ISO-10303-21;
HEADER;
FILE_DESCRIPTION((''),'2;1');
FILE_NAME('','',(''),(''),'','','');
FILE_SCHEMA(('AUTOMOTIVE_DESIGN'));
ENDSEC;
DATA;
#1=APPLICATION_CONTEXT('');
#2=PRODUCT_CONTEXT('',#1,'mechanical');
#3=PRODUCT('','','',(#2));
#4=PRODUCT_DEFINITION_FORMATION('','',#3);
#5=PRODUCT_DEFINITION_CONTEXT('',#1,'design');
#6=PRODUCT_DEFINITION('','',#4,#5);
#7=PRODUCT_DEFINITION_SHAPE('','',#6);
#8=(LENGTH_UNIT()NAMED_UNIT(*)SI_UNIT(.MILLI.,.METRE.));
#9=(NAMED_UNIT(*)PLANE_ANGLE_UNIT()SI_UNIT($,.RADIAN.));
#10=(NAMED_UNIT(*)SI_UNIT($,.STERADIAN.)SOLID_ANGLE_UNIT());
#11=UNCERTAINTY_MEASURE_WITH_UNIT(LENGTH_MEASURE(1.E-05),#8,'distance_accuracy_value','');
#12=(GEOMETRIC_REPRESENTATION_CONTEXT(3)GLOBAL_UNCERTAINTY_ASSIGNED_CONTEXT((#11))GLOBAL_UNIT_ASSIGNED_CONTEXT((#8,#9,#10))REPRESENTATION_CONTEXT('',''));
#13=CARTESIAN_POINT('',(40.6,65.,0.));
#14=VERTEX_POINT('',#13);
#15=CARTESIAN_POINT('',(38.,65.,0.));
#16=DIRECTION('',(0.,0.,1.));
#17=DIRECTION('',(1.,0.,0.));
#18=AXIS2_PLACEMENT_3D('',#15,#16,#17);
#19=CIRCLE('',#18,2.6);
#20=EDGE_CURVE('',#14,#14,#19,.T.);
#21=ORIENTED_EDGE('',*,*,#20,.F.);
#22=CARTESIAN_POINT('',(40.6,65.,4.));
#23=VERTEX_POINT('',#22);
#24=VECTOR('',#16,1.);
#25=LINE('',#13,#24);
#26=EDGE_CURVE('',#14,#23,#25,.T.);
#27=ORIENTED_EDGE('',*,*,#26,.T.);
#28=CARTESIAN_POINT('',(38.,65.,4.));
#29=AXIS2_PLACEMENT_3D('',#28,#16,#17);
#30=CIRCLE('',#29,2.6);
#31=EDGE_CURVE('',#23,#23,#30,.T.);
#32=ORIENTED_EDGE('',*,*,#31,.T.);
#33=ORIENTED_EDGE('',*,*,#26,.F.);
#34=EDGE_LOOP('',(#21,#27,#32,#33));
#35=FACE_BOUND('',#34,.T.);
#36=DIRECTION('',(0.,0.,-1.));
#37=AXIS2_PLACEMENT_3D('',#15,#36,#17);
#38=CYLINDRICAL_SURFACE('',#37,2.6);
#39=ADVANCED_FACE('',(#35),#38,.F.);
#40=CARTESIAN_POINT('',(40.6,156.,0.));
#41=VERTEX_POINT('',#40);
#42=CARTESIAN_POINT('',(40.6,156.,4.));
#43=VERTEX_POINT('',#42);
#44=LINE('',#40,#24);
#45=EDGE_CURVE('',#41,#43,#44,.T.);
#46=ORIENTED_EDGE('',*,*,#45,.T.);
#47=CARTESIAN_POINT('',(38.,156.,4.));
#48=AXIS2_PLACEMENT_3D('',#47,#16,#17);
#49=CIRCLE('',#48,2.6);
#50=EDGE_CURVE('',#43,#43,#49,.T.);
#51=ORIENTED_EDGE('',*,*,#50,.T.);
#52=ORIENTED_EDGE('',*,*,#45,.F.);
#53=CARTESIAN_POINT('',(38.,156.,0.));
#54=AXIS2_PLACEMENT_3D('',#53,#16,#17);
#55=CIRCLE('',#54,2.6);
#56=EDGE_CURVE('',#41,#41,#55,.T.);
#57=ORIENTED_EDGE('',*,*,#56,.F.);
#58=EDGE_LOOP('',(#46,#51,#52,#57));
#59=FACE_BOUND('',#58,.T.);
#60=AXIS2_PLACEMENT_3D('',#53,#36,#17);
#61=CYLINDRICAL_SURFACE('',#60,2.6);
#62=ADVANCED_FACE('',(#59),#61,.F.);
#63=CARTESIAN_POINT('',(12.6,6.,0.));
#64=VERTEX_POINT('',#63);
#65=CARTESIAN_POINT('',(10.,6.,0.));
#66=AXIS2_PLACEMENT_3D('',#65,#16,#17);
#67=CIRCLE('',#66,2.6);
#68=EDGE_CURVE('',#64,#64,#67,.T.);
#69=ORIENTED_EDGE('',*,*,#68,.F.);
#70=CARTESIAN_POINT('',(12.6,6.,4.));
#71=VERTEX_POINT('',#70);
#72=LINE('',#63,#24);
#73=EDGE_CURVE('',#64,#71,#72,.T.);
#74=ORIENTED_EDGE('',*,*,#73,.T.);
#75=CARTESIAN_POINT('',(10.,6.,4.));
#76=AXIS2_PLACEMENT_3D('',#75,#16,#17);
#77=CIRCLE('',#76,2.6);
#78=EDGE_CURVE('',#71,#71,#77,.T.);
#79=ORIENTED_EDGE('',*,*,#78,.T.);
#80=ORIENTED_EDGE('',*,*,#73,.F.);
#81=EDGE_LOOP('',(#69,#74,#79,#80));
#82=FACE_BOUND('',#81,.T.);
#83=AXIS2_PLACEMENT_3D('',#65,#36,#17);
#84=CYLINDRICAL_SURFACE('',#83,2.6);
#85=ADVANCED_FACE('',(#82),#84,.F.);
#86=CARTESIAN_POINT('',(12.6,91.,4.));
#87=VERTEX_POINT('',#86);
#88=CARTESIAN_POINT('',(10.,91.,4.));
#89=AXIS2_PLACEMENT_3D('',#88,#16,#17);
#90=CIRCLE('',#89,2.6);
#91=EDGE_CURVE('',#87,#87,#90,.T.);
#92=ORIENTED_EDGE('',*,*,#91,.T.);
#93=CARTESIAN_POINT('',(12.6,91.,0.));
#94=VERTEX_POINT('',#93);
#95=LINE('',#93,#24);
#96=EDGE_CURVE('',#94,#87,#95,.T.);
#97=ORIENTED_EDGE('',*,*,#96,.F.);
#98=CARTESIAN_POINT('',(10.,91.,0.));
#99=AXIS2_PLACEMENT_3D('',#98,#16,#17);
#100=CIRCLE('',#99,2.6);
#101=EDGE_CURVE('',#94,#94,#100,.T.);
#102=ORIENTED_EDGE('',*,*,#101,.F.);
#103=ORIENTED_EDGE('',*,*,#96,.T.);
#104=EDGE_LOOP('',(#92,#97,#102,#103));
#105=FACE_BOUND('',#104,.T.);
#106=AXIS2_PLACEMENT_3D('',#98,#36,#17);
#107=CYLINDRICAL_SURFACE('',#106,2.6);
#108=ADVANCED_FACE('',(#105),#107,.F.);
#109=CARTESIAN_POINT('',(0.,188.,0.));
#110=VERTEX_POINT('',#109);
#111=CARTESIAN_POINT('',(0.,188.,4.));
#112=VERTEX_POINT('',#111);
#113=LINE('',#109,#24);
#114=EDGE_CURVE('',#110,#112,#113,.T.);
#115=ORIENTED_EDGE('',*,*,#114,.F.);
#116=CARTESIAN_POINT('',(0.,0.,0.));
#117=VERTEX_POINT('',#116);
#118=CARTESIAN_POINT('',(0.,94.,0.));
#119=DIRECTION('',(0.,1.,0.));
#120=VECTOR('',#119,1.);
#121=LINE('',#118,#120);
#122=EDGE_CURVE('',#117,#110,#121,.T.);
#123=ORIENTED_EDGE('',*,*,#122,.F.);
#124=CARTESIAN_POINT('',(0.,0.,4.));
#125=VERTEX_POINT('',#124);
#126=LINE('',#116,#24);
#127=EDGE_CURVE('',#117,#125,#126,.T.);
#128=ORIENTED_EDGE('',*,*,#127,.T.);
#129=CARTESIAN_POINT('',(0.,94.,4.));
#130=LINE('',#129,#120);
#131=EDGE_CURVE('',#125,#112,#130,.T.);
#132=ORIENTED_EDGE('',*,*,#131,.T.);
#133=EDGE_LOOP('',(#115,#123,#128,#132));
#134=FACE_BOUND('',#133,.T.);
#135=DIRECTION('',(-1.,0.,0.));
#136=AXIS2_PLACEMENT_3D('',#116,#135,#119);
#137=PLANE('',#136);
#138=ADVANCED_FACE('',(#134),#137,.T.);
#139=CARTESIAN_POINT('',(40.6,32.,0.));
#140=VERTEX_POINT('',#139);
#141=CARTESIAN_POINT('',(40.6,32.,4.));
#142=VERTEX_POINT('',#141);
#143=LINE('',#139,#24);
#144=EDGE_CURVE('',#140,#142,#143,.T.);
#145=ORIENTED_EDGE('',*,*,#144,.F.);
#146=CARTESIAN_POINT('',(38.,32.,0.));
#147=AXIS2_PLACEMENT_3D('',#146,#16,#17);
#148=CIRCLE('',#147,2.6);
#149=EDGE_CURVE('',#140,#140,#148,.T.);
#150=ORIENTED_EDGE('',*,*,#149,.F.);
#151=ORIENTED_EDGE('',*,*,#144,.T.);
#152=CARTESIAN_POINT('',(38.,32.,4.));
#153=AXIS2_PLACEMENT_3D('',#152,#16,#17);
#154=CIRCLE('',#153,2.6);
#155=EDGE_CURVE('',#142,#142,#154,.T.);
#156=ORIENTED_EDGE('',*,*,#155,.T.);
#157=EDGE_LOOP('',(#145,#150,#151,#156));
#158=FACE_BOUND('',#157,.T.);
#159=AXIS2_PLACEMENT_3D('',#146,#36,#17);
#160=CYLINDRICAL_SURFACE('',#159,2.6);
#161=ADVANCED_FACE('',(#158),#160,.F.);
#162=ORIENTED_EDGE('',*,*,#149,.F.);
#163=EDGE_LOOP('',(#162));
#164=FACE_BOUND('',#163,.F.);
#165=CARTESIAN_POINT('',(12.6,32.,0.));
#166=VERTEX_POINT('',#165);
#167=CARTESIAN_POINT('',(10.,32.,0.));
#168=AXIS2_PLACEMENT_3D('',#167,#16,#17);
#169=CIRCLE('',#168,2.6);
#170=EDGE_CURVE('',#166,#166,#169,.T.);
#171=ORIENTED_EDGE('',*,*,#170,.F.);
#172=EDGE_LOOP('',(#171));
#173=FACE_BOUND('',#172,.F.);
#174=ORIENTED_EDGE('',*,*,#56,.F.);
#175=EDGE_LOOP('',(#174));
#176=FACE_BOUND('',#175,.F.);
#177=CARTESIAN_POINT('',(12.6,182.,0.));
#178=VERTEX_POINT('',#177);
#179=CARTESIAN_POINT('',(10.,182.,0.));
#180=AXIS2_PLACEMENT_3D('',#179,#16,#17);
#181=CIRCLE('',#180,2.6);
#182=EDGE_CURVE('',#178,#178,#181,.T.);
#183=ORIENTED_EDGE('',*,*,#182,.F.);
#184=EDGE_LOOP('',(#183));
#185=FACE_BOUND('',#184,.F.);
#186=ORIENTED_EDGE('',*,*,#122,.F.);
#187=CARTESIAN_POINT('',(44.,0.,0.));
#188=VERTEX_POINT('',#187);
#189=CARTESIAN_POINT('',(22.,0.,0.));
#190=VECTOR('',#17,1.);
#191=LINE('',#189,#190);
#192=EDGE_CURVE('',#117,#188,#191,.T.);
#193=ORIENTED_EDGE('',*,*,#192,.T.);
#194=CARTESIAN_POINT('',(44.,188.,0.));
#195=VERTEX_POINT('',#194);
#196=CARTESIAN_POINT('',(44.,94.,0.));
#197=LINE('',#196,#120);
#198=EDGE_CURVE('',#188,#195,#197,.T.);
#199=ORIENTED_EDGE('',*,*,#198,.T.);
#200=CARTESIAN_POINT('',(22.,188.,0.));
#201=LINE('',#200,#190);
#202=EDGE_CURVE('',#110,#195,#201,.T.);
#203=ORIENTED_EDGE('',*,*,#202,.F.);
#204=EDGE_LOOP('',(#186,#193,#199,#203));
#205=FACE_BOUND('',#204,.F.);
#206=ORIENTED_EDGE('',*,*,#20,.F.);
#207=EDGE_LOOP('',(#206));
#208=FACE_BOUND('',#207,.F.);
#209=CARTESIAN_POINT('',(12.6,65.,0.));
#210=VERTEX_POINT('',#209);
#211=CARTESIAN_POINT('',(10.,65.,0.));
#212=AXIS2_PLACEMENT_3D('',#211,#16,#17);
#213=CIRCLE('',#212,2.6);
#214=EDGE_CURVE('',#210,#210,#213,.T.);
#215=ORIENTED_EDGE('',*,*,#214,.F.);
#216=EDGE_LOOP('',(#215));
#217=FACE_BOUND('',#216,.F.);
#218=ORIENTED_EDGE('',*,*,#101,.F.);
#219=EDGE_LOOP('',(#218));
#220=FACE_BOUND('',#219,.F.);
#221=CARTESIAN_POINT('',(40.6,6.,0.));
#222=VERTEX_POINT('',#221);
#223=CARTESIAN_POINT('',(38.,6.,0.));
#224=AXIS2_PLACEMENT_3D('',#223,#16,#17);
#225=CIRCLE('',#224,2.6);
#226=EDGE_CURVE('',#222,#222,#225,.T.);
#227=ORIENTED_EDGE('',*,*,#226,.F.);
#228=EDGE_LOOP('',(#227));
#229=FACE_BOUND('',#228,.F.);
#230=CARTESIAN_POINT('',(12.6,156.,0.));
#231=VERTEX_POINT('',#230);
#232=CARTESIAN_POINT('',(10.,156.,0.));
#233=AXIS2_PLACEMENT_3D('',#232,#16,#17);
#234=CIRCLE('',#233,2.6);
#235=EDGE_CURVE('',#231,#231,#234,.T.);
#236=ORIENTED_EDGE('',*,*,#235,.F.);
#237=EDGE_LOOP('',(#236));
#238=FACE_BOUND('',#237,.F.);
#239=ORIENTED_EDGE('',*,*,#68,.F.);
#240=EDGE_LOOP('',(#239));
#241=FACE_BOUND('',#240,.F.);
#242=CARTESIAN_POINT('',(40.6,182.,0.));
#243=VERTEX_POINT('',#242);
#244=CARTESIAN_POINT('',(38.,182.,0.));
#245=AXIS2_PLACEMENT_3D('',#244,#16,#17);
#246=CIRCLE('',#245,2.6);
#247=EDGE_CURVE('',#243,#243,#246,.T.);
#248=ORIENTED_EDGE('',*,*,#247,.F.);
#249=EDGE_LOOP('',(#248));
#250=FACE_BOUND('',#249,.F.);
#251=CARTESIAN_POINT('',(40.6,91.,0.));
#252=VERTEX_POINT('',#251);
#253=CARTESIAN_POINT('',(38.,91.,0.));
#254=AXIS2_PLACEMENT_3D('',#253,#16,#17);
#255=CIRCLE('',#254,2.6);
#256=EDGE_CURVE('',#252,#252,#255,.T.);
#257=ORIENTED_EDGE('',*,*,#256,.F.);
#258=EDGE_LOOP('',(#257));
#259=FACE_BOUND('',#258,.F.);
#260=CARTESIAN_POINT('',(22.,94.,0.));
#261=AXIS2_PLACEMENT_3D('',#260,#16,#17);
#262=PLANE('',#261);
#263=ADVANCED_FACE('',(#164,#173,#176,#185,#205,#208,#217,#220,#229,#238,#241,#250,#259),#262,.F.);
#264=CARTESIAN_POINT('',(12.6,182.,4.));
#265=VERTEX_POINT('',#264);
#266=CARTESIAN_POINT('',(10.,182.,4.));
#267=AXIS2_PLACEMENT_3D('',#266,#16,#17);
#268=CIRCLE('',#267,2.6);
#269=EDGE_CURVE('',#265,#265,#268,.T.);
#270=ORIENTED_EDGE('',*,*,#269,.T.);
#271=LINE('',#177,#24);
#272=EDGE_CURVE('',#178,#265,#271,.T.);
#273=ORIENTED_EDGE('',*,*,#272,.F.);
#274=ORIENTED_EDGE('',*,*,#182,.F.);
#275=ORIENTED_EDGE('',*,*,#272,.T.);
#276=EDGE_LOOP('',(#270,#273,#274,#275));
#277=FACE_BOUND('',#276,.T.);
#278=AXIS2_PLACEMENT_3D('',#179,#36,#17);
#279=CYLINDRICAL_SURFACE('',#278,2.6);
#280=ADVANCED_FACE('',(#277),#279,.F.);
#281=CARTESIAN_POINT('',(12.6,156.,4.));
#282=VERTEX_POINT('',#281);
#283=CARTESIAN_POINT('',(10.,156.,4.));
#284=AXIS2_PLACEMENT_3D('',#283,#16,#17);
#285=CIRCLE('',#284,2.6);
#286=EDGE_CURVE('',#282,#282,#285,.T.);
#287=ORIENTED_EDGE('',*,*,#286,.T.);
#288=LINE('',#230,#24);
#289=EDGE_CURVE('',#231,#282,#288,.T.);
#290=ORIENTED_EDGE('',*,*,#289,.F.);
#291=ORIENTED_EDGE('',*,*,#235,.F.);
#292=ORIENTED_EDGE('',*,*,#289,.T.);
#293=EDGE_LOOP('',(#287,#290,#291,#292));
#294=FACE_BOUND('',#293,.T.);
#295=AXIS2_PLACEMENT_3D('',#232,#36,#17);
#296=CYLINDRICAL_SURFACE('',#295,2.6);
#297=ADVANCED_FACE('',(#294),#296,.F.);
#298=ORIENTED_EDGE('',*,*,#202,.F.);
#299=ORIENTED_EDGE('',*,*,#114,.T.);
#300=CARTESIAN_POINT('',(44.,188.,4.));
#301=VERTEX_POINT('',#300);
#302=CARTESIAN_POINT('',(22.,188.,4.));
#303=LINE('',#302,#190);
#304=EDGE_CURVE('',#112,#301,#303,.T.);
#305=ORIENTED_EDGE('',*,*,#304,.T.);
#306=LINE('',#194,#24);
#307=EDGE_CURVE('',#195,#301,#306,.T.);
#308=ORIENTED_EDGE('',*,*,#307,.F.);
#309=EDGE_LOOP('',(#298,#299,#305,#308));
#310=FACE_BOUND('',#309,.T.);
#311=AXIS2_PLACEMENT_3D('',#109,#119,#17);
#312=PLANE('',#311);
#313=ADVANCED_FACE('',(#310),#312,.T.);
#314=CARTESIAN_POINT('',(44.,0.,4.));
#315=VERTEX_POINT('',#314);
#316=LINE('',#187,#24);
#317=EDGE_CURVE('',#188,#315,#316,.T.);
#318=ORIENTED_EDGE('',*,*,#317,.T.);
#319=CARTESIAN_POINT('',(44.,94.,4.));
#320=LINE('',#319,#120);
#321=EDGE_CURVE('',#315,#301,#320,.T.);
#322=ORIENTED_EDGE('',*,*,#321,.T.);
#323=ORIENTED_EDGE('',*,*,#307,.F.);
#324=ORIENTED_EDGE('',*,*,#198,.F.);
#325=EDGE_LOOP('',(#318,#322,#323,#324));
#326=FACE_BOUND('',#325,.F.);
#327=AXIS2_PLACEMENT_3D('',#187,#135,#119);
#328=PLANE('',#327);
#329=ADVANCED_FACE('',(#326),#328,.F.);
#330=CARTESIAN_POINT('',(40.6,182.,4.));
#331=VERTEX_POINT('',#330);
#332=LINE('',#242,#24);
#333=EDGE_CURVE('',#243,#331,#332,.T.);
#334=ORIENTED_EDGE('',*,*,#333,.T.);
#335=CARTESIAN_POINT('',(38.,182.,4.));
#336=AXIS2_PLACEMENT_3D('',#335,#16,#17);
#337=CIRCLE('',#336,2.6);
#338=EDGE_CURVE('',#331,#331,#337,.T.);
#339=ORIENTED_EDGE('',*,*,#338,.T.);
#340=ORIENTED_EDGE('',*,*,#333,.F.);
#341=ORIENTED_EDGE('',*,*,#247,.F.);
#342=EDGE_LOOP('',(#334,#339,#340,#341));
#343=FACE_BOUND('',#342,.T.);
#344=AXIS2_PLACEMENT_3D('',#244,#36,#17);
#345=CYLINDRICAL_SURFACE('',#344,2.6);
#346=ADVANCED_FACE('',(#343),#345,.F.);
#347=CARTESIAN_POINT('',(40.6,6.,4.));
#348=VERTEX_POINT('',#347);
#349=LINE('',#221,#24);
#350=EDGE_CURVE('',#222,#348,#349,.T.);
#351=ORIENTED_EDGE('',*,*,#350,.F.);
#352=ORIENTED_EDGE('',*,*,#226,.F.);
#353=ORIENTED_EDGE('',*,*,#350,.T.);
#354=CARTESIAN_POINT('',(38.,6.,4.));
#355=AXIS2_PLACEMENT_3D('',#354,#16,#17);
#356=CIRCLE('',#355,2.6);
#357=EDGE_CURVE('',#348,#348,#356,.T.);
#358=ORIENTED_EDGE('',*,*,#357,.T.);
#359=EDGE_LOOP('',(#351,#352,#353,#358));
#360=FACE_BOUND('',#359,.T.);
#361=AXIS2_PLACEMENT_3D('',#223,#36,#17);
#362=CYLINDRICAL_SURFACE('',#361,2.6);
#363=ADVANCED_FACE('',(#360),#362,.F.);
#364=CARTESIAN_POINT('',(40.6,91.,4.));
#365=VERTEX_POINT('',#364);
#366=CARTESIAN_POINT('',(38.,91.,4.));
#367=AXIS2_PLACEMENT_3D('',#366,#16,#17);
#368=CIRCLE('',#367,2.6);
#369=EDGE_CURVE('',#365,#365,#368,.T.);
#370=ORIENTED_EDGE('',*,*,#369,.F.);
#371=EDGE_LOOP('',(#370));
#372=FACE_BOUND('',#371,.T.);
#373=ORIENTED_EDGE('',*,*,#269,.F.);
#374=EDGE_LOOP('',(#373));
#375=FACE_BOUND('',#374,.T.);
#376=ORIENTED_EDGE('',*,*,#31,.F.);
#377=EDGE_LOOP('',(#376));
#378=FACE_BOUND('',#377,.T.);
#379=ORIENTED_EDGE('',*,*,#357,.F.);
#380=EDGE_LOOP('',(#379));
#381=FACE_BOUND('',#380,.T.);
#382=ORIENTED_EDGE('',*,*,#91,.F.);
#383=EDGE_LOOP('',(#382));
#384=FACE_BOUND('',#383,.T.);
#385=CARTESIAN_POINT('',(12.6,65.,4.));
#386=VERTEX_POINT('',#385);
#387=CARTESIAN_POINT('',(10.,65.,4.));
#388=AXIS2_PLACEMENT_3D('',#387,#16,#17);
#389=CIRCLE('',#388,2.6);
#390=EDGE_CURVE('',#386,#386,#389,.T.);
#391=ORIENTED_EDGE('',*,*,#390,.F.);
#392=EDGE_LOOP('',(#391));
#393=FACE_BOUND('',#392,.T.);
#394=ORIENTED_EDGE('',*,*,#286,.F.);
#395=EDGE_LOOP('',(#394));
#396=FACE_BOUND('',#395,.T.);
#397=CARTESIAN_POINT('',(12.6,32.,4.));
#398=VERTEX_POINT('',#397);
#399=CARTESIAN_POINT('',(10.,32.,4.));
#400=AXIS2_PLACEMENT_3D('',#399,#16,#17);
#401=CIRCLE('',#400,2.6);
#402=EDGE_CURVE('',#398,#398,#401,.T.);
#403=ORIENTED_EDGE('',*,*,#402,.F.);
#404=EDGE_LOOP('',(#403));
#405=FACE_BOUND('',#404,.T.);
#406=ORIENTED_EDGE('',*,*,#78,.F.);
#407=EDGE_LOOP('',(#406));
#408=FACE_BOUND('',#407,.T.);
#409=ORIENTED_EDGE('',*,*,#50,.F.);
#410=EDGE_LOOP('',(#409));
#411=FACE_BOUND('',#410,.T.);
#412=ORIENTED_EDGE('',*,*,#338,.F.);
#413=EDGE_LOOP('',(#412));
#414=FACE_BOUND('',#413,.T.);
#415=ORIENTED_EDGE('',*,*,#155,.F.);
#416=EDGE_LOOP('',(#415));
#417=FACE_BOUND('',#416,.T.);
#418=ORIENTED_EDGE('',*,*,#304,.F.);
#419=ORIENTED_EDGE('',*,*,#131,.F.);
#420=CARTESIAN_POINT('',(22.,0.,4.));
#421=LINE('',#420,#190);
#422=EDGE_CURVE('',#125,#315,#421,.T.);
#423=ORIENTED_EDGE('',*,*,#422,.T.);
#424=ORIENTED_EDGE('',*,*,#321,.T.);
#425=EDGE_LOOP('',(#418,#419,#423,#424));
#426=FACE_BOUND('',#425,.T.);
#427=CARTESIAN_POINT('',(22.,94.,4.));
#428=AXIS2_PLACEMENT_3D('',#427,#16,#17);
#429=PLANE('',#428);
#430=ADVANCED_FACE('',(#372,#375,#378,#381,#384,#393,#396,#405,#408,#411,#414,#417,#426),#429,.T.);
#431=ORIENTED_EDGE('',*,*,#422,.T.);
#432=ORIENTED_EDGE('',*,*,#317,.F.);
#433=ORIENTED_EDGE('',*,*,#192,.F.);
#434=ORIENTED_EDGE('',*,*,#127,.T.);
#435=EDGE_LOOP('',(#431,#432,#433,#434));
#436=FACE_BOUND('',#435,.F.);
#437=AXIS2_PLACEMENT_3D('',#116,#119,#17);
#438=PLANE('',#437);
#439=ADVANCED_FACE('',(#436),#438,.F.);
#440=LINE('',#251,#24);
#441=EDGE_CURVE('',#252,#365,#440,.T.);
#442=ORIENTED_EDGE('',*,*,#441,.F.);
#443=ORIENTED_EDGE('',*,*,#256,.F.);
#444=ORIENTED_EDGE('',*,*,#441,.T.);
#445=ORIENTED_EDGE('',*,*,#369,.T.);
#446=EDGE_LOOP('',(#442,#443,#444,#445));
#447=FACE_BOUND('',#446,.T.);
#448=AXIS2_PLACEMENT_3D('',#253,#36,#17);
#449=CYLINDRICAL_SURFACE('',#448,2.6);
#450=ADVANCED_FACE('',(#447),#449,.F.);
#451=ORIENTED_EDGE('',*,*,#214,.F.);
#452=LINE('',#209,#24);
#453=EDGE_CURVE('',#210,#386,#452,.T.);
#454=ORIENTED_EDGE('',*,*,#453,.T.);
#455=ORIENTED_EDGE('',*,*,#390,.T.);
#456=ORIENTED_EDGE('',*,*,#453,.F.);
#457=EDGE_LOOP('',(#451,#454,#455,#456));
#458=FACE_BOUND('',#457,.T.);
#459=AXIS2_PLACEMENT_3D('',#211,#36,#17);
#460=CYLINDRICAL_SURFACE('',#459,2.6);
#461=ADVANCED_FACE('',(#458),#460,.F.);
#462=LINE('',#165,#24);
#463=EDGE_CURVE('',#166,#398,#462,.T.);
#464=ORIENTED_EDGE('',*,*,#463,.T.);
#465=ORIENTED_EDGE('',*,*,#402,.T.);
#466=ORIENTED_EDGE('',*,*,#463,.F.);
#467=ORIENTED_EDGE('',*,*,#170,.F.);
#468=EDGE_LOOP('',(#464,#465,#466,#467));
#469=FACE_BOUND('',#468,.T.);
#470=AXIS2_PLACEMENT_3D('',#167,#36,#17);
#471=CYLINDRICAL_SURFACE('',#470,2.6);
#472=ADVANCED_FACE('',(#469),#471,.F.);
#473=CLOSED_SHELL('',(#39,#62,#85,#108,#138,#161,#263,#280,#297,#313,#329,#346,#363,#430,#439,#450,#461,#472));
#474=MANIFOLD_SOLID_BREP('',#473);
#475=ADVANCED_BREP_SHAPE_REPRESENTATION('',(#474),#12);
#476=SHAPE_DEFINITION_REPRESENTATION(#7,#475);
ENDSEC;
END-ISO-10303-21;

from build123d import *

# Parameters (mm, degrees)
F0_W     = 44
F0_H     = 188
F0_R     = 2.6
F1_DEPTH = 4


with BuildPart() as f1:
    # F0 (on Top) → F1 (new body)
    with BuildSketch(Plane.XY):
        with Locations((22, 94)):
            Rectangle(F0_W, F0_H)
        with Locations((10, 6)):
            Circle(F0_R, mode=Mode.SUBTRACT)
        with Locations((10, 32)):
            Circle(F0_R, mode=Mode.SUBTRACT)
        with Locations((10, 65)):
            Circle(F0_R, mode=Mode.SUBTRACT)
        with Locations((10, 91)):
            Circle(F0_R, mode=Mode.SUBTRACT)
        with Locations((38, 6)):
            Circle(F0_R, mode=Mode.SUBTRACT)
        with Locations((38, 32)):
            Circle(F0_R, mode=Mode.SUBTRACT)
        with Locations((38, 65)):
            Circle(F0_R, mode=Mode.SUBTRACT)
        with Locations((38, 91)):
            Circle(F0_R, mode=Mode.SUBTRACT)
        with Locations((10, 156)):
            Circle(F0_R, mode=Mode.SUBTRACT)
        with Locations((10, 182)):
            Circle(F0_R, mode=Mode.SUBTRACT)
        with Locations((38, 156)):
            Circle(F0_R, mode=Mode.SUBTRACT)
        with Locations((38, 182)):
            Circle(F0_R, mode=Mode.SUBTRACT)
    extrude(amount=F1_DEPTH)


solid = f1.part
